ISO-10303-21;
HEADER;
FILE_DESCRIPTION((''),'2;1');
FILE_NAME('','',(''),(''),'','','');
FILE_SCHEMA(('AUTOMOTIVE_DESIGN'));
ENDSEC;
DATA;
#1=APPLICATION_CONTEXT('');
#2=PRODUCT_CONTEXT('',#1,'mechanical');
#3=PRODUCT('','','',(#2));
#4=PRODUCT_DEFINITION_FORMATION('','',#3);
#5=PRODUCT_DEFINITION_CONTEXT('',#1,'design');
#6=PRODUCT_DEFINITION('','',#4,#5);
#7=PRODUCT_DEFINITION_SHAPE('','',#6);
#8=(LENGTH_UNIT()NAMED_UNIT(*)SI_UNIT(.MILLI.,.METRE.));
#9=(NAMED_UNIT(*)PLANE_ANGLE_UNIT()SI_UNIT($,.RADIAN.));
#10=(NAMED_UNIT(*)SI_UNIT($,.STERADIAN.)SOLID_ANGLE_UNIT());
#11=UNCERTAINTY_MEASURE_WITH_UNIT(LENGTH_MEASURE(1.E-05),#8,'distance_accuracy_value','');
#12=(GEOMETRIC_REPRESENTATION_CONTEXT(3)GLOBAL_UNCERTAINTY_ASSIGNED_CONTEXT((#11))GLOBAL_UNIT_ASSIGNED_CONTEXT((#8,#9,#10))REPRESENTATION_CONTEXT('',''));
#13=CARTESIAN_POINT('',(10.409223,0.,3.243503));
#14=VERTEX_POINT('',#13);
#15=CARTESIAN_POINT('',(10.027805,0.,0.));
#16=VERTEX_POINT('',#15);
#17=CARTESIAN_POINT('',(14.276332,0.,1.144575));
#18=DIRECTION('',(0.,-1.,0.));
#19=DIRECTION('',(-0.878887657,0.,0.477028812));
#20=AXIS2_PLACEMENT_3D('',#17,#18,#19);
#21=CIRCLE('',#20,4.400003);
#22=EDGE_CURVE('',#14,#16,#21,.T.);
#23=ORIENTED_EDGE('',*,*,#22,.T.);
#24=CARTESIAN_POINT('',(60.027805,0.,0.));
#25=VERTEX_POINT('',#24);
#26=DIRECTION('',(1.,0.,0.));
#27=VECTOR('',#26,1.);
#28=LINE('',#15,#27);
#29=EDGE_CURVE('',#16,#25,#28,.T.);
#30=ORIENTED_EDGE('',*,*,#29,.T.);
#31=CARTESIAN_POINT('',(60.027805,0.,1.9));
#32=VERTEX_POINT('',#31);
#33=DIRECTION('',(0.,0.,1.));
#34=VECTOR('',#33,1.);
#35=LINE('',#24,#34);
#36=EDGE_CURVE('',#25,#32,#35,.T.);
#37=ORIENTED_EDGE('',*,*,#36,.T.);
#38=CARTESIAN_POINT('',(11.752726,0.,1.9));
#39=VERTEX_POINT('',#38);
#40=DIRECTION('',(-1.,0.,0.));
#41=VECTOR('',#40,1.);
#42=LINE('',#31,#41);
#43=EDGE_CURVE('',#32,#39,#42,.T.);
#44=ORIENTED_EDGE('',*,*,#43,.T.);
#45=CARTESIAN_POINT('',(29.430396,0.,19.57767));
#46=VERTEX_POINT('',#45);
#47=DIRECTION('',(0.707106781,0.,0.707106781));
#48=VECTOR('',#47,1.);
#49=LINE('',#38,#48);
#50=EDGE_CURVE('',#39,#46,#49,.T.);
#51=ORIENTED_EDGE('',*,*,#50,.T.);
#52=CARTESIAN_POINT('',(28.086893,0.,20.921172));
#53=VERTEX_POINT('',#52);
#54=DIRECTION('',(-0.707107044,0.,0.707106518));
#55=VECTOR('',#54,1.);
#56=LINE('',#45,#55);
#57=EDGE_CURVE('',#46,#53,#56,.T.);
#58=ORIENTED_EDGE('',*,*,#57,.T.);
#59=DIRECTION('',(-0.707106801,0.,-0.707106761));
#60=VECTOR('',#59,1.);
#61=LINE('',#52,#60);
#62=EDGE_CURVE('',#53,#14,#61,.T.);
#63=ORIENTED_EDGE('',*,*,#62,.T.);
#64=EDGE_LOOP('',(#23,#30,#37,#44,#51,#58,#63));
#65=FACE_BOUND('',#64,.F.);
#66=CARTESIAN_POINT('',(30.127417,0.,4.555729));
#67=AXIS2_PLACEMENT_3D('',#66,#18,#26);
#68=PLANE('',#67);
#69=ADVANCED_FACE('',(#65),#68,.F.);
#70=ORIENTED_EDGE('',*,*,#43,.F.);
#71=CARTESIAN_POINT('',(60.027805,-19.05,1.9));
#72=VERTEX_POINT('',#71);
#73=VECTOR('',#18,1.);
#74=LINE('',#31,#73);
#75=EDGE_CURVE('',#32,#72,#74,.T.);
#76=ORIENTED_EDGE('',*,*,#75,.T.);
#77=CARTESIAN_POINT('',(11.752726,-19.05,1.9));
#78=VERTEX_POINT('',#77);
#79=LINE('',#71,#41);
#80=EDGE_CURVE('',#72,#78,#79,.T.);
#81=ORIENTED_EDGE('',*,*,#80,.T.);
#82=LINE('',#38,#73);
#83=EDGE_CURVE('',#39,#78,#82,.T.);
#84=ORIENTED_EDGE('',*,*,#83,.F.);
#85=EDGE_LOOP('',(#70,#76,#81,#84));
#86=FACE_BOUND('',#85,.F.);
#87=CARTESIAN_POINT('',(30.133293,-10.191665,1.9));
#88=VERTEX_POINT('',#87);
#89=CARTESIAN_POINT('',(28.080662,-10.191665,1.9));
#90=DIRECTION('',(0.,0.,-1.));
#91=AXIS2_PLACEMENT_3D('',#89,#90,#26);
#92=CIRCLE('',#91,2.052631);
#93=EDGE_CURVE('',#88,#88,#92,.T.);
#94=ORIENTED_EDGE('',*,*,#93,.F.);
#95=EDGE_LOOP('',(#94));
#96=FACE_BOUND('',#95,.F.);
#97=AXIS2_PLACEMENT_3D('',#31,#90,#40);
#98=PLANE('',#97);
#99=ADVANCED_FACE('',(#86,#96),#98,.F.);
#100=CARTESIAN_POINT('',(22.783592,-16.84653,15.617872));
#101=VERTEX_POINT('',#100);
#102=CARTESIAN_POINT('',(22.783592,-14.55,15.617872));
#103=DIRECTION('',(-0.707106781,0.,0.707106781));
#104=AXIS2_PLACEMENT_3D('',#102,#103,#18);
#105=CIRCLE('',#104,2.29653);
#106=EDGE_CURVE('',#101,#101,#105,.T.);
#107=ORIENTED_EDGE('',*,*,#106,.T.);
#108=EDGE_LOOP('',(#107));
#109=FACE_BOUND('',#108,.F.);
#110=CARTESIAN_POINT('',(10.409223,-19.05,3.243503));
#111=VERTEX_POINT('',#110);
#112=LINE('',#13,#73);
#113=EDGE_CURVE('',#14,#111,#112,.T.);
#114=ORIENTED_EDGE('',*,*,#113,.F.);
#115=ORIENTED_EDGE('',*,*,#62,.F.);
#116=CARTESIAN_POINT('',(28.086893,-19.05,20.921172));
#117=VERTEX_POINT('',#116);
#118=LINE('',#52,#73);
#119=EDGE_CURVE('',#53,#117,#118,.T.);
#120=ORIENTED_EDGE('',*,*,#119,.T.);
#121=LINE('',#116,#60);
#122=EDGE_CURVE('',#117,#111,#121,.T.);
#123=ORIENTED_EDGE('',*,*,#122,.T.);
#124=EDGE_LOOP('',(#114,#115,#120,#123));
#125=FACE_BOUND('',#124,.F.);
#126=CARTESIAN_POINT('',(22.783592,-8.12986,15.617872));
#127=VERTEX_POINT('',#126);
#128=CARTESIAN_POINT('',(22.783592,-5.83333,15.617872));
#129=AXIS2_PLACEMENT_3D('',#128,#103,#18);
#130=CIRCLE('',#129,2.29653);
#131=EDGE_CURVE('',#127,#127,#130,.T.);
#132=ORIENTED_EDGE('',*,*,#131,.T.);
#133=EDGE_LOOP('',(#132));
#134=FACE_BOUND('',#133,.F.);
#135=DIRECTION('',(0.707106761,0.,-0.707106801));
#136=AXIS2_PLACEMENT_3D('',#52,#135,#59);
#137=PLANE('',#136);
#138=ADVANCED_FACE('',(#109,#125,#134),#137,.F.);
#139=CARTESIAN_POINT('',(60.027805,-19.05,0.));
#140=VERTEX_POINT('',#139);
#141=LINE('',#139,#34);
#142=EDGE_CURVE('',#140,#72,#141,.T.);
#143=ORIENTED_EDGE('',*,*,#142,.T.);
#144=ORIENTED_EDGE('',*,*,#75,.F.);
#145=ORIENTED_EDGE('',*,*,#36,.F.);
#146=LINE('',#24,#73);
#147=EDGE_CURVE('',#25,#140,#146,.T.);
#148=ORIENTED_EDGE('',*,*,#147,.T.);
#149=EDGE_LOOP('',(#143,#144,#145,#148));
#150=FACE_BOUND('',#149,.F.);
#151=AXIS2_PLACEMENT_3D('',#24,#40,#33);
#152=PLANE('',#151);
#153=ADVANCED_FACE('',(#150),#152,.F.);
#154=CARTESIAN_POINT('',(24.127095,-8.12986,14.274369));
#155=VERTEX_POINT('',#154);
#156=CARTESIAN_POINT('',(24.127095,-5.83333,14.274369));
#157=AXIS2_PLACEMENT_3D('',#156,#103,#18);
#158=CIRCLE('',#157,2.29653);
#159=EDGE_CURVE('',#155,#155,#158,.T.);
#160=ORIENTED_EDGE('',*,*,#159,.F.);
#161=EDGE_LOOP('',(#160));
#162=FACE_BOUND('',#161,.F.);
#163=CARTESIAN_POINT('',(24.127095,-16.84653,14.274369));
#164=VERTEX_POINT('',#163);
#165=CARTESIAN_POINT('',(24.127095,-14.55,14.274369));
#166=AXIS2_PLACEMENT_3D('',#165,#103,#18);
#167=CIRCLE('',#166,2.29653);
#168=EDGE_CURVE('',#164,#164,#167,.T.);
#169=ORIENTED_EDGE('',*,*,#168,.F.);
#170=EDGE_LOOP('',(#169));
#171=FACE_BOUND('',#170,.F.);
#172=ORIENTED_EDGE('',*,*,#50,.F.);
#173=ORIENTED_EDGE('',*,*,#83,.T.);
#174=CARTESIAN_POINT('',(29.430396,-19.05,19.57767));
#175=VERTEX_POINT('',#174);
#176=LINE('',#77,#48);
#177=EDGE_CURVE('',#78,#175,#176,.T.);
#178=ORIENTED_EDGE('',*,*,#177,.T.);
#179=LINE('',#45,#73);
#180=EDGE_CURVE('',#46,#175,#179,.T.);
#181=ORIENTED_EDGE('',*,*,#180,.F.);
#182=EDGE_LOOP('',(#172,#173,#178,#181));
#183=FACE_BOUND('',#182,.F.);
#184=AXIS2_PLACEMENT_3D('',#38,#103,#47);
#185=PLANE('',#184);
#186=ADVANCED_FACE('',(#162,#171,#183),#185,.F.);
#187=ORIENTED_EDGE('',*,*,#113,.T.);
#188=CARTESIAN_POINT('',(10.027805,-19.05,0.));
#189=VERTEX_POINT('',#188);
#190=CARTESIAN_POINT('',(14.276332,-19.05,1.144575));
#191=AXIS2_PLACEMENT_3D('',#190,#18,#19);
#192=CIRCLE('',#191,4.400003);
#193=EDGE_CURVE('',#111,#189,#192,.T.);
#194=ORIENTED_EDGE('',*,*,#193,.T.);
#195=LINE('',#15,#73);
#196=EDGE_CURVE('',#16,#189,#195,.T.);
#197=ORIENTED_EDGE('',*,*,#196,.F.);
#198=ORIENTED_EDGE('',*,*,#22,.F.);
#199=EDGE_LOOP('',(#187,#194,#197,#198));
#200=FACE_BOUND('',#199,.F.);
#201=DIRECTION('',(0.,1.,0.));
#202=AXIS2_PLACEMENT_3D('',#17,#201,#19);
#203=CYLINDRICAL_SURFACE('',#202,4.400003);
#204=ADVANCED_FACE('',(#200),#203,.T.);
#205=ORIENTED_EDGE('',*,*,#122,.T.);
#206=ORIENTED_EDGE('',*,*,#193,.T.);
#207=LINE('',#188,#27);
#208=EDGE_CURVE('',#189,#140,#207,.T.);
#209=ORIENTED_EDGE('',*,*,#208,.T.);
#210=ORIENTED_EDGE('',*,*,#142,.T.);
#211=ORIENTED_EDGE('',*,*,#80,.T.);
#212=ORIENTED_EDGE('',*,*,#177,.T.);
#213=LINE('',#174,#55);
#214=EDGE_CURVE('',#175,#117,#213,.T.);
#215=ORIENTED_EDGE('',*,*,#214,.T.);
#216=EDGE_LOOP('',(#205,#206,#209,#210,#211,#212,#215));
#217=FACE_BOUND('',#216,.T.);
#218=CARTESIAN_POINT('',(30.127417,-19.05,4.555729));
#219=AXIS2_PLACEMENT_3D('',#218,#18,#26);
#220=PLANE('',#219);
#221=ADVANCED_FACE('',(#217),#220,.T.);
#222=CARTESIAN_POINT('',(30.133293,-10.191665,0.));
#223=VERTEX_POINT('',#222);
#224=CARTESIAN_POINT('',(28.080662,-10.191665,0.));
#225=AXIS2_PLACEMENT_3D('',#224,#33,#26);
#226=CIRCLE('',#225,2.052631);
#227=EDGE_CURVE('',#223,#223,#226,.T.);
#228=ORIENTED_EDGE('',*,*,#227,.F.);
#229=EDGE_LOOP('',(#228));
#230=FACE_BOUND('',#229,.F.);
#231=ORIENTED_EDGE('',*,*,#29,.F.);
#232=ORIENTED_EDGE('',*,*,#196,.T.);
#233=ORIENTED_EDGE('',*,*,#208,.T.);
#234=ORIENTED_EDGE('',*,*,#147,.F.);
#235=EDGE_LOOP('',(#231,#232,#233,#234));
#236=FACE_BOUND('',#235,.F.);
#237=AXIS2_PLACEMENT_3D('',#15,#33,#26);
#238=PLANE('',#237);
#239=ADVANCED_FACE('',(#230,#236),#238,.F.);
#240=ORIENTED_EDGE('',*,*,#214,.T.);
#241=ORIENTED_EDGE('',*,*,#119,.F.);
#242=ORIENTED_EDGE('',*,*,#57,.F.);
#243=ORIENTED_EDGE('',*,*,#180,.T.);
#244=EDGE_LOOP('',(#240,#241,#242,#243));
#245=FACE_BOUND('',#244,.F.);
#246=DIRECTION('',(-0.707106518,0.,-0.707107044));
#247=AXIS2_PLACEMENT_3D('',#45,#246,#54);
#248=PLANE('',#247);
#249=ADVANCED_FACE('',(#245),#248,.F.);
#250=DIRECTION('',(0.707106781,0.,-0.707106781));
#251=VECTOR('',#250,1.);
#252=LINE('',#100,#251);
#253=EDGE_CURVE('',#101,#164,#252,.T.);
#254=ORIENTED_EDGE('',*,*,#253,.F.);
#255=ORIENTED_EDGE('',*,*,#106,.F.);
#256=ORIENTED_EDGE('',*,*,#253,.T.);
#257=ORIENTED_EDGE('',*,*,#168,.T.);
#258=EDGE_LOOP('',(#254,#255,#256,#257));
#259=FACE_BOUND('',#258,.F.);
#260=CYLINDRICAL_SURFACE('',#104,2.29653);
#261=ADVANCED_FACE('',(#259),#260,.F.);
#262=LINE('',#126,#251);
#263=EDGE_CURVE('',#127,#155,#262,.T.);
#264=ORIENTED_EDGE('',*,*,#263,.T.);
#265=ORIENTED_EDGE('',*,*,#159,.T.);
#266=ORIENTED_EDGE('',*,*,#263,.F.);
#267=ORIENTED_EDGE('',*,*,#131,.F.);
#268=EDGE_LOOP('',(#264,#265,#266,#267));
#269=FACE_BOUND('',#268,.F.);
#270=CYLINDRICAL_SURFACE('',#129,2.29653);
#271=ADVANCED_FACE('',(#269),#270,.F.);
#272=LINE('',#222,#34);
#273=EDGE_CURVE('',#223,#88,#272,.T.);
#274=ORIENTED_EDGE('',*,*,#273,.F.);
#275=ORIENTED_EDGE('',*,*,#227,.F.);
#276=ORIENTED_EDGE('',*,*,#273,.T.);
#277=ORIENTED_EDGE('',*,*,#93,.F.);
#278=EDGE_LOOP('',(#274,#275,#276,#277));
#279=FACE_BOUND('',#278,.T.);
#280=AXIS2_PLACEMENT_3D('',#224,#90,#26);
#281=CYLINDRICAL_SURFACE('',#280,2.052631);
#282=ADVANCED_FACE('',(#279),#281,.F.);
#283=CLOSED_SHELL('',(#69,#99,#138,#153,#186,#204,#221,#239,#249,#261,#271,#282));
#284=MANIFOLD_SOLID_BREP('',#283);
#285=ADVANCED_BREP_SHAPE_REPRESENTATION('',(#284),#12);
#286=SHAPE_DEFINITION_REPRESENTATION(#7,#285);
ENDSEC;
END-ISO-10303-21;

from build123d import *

# Parameters (mm, degrees)
F1_DEPTH = 19.05
F3_R     = 2.29653
F4_DEPTH = 5.588
F2_R     = 2.052631
F5_DEPTH = 5.842


with BuildPart() as f1:
    # F0 (on Front) → F1 (new body)
    with BuildSketch(Plane.XZ):
        with BuildLine():
            Line((60.027805, 1.9), (11.752726, 1.9))
            Line((11.752726, 1.9), (29.430396, 19.57767))
            Line((29.430396, 19.57767), (28.086893, 20.921172))
            Line((28.086893, 20.921172), (10.409223, 3.243503))
            ThreePointArc((10.409223, 3.243503), (9.906439, 1.65845), (10.027805, 0))
            Line((10.027805, 0), (60.027805, 0))
            Line((60.027805, 0), (60.027805, 1.9))
        make_face()
    extrude(amount=F1_DEPTH)

    # F3 (on face) → F4 (cut)
    with BuildSketch(Plane(origin=(3.58286, 0, -3.58286), x_dir=(0, -1, 0), z_dir=(-0.707107, 0, 0.707107))):
        with Locations((14.55, 27.153935)):
            Circle(F3_R)
        with Locations((5.83333, 27.153935)):
            Circle(F3_R)
    extrude(amount=-F4_DEPTH, mode=Mode.SUBTRACT)

    # F2 (on Top) → F5 (cut)
    with BuildSketch(Plane.XY):
        with Locations((28.080662, -10.191665)):
            Circle(F2_R)
    extrude(amount=F5_DEPTH, mode=Mode.SUBTRACT)


solid = f1.part
